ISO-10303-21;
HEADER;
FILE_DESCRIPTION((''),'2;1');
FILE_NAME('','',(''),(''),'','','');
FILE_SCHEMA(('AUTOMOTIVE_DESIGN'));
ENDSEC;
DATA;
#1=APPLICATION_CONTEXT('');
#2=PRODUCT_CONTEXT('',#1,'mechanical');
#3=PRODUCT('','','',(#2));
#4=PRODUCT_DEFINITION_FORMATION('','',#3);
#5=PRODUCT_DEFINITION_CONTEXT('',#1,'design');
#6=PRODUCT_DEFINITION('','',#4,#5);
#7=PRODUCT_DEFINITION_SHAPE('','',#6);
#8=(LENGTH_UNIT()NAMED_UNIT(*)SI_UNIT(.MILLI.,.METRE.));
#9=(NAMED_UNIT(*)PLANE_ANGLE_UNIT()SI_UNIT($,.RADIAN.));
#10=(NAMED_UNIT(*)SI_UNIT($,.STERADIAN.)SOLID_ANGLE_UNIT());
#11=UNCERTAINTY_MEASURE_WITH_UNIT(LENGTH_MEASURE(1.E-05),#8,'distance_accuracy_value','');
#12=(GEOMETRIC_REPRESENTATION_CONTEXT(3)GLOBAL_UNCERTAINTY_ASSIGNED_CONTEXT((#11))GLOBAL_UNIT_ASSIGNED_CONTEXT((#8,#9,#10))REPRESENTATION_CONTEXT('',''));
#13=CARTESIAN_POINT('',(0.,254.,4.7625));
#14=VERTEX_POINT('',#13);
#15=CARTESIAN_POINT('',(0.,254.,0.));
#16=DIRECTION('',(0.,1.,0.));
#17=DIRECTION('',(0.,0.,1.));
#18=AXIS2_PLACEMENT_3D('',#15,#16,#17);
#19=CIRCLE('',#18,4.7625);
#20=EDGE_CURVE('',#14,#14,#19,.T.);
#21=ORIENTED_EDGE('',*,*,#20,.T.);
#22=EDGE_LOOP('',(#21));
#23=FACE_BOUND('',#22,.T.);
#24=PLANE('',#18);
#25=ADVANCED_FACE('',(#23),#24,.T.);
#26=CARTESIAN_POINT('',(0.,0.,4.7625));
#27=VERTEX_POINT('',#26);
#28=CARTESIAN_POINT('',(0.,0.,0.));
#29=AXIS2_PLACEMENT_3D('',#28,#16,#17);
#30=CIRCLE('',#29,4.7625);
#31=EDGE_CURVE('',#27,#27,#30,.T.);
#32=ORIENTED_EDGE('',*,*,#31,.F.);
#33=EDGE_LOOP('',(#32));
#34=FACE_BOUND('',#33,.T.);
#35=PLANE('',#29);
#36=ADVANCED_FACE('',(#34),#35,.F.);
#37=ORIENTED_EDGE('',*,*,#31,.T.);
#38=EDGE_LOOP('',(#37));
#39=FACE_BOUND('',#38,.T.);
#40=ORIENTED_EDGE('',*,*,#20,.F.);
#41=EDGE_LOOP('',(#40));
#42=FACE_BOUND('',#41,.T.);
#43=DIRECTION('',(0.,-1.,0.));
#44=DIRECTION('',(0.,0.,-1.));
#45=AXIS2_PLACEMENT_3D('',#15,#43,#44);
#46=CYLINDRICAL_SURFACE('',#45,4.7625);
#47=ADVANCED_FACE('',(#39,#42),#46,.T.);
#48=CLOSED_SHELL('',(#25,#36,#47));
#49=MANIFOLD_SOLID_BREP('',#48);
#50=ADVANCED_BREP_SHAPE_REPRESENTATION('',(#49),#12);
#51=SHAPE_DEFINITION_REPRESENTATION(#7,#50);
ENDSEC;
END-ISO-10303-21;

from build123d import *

# Parameters (mm, degrees)
SKETCH1_R           = 4.7625
BOSS_EXTRUDE1_DEPTH = 254


with BuildPart() as part:
    # Sketch1 → Boss-Extrude1 (new body)
    with BuildSketch(Plane(origin=(0, 0, 0), x_dir=(1, 0, 0), z_dir=(0, 1, 0))):
        Circle(SKETCH1_R)
    extrude(amount=BOSS_EXTRUDE1_DEPTH)


solid = part.part
